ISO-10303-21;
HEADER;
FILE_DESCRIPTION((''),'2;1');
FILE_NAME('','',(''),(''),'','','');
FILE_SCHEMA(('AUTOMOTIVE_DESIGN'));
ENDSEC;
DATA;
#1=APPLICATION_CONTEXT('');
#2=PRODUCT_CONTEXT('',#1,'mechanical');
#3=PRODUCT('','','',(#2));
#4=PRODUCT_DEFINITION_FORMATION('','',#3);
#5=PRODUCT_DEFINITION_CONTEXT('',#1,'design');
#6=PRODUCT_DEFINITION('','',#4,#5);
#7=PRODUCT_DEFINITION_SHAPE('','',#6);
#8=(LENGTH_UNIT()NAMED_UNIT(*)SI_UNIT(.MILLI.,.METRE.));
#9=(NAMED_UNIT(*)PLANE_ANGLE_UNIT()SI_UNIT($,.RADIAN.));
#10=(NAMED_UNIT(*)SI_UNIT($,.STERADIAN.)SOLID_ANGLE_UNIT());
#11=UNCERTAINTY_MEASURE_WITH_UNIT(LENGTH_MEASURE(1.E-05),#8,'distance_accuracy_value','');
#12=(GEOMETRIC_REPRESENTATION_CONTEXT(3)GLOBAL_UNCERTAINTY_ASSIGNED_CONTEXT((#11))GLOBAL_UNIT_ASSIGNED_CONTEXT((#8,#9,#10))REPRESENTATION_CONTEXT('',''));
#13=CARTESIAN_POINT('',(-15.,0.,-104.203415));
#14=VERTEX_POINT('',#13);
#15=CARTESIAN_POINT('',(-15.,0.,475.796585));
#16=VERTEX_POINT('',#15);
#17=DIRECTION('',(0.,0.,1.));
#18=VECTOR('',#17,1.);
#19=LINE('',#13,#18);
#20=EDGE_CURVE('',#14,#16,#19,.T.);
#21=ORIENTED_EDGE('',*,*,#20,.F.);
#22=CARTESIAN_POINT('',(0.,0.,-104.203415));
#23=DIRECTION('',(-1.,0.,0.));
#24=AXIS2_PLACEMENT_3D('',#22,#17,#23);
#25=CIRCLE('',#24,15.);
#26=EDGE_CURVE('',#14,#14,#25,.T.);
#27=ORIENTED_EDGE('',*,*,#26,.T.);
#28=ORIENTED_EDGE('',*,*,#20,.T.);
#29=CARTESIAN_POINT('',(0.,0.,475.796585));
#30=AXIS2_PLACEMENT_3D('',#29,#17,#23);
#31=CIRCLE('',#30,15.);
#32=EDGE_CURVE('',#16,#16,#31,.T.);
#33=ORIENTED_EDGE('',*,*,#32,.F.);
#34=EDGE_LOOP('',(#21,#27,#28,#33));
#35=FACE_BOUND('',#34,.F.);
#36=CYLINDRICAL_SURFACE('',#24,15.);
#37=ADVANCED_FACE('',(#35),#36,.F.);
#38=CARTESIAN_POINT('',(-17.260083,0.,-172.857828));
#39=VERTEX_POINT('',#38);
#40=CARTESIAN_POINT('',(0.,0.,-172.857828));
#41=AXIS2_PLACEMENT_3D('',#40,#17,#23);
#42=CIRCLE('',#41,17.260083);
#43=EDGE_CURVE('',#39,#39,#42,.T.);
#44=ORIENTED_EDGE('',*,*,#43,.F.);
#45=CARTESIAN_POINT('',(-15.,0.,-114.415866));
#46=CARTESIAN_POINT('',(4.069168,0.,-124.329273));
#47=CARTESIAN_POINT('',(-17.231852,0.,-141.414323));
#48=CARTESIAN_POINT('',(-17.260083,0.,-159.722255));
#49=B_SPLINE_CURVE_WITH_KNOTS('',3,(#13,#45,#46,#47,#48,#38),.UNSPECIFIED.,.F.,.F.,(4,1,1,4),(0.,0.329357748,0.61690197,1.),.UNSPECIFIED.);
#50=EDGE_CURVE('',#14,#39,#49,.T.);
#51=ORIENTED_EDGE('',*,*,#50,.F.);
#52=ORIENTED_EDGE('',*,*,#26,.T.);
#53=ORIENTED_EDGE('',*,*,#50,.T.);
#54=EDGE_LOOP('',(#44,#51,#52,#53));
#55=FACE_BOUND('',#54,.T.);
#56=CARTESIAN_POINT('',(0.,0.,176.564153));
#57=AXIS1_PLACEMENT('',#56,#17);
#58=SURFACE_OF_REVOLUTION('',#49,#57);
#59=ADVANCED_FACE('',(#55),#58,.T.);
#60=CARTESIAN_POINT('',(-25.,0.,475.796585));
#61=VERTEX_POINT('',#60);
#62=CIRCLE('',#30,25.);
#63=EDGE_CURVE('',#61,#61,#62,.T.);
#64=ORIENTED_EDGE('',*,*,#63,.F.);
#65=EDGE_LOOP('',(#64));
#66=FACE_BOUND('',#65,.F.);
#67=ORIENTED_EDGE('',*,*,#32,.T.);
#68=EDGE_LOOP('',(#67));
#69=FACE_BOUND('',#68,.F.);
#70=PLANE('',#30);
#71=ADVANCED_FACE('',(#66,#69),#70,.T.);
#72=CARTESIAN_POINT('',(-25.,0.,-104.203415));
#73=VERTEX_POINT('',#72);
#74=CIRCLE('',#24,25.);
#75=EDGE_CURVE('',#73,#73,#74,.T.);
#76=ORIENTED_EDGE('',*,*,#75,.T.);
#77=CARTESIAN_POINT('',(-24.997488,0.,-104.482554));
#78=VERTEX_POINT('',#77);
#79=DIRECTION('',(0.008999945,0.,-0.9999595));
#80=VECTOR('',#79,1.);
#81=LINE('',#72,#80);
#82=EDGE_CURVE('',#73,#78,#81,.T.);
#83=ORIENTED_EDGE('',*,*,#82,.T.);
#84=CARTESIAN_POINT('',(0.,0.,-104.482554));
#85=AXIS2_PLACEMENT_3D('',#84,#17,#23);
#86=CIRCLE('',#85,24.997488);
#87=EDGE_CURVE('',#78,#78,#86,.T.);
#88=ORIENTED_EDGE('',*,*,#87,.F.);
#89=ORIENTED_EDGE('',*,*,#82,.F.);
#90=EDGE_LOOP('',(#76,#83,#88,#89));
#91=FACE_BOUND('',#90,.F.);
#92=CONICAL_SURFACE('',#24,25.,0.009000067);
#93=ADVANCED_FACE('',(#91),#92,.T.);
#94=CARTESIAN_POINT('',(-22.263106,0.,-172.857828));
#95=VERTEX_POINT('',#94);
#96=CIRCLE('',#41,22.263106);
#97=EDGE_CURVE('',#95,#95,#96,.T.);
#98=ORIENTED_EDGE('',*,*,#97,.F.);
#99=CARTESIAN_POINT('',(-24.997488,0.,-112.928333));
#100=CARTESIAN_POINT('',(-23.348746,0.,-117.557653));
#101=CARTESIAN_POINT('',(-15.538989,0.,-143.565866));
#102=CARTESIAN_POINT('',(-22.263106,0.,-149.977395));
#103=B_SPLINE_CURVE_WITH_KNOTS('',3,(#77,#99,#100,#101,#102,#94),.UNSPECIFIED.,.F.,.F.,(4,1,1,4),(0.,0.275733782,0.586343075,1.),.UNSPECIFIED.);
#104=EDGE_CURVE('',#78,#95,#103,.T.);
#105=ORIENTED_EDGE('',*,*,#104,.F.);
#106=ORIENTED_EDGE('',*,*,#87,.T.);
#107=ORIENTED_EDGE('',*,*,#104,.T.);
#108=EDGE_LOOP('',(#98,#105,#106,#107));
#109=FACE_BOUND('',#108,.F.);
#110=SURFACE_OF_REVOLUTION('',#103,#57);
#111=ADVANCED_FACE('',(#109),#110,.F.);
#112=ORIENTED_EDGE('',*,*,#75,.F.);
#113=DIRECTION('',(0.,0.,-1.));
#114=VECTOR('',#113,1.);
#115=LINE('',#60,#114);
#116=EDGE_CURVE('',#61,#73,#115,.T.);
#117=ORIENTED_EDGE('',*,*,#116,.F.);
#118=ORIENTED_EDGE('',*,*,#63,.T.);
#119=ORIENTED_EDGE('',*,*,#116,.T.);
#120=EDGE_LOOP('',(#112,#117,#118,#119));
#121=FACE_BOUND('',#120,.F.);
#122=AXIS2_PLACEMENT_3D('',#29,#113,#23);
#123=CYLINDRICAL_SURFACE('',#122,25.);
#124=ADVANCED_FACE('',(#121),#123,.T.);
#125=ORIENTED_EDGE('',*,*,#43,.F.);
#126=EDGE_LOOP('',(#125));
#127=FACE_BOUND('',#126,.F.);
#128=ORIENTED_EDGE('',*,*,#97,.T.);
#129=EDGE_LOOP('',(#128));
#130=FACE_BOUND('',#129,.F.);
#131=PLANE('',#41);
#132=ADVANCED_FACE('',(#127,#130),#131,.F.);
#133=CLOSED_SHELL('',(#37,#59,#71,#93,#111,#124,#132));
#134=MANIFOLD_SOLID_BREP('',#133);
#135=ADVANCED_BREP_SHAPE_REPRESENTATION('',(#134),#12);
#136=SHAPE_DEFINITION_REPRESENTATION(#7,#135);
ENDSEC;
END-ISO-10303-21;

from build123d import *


with BuildPart() as f1:
    # F0 (on Front) → F1 (revolve)
    with BuildSketch(Plane.XZ):
        with BuildLine():
            add(Edge.make_bspline(
                [(-15, -104.2034150791), (-15, -114.4158663694), (4.069168266, -124.329273141), (-17.2318516587, -141.4143233985), (-17.2600828232, -159.7222550549), (-17.2600828232, -172.8578283503)],
                knots=[0, 0, 0, 0, 0.3293577477, 0.6169019702, 1, 1, 1, 1], degree=3))
            Line((-15, -104.2034150791), (-15, 475.7965849209))
            Line((-15, 475.7965849209), (-25, 475.7965849209))
            Line((-25, 475.7965849209), (-25, -104.2034150791))
            Line((-25, -104.2034150791), (-24.9974876642, -104.4825538993))
            add(Edge.make_bspline(
                [(-24.9974876642, -104.4825538993), (-24.9974876642, -112.9283330981), (-23.3487456599, -117.5576533306), (-15.5389893803, -143.5658660005), (-22.2631056289, -149.9773947916), (-22.2631056289, -172.8578283503)],
                knots=[0, 0, 0, 0, 0.2757337817, 0.5863430752, 1, 1, 1, 1], degree=3))
            Line((-22.2631056289, -172.8578283503), (-17.2600828232, -172.8578283503))
        make_face()
    revolve(axis=Axis((0, 0, 176.5641533278), (0, 0, 1)))


solid = f1.part
